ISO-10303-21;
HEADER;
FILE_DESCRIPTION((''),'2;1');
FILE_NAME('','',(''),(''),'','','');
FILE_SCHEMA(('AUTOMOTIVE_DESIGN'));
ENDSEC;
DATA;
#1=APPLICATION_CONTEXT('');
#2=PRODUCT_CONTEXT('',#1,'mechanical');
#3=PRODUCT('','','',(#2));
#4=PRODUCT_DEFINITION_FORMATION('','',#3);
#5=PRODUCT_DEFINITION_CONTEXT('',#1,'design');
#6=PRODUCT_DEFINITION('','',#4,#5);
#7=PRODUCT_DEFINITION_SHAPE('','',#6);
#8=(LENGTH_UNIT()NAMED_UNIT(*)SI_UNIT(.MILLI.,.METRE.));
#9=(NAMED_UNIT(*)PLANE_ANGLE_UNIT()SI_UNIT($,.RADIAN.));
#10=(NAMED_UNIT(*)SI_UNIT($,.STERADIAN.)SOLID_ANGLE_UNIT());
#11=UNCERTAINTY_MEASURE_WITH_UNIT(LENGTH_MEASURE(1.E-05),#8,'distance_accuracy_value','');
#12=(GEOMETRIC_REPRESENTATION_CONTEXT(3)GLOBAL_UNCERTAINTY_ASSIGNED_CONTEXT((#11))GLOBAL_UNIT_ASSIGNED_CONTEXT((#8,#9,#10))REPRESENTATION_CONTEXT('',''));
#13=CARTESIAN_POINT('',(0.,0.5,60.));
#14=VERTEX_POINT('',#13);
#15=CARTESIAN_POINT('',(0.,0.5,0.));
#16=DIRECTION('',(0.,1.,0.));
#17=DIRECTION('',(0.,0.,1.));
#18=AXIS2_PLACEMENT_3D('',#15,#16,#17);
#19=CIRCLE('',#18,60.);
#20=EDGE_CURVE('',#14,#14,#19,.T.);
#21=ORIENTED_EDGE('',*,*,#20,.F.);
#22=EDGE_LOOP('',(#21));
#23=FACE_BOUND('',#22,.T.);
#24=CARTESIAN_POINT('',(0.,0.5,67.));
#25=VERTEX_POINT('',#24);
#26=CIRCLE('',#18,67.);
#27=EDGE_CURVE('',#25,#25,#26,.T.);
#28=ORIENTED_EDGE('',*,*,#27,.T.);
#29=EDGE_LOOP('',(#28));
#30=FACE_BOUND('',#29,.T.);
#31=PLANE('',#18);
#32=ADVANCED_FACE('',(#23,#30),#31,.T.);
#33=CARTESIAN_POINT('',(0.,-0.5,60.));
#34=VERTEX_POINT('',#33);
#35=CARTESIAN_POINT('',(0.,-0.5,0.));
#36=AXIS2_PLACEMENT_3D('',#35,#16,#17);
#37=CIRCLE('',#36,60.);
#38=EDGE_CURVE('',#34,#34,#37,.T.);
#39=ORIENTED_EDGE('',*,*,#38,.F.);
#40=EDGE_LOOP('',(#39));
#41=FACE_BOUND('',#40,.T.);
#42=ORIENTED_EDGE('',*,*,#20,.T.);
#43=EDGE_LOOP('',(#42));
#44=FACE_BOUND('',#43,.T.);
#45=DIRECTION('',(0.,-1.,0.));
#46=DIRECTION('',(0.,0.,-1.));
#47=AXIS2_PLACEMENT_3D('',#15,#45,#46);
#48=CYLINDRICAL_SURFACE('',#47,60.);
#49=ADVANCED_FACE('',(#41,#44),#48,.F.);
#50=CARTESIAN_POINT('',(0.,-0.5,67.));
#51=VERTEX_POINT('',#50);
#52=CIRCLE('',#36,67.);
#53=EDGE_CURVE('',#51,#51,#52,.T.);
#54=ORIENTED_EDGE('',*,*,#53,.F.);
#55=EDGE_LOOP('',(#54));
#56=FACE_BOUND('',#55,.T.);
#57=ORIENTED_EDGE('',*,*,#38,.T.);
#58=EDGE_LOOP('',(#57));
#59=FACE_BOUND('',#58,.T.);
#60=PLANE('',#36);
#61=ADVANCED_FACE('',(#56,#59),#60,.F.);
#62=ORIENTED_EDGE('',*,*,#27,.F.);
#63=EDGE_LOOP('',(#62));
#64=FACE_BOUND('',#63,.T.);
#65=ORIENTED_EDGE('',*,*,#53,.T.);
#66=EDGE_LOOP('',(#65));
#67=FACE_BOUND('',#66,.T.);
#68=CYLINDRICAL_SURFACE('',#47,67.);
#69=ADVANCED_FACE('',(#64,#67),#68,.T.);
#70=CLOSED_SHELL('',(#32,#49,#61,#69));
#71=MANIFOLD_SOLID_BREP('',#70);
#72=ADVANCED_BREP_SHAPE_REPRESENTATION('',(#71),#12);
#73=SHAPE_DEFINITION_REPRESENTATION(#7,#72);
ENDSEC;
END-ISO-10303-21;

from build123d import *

# Parameters (mm, degrees)
SCHIZZO1_R                   = 67
SCHIZZO1_R_2                 = 60
ESTRUSIONE_ESTRUSIONE1_DEPTH = 0.5


with BuildPart() as part:
    # Schizzo1 → Estrusione-Estrusione1 (new, symmetric)
    with BuildSketch(Plane(origin=(0, 0, 0), x_dir=(1, 0, 0), z_dir=(0, 1, 0))):
        with Locations(Location((0, 0, 0), (0, 0, 270))):
            Circle(SCHIZZO1_R)
        with Locations(Location((0, 0, 0), (0, 0, 270))):
            Circle(SCHIZZO1_R_2, mode=Mode.SUBTRACT)
    extrude(amount=ESTRUSIONE_ESTRUSIONE1_DEPTH, both=True)


solid = part.part
